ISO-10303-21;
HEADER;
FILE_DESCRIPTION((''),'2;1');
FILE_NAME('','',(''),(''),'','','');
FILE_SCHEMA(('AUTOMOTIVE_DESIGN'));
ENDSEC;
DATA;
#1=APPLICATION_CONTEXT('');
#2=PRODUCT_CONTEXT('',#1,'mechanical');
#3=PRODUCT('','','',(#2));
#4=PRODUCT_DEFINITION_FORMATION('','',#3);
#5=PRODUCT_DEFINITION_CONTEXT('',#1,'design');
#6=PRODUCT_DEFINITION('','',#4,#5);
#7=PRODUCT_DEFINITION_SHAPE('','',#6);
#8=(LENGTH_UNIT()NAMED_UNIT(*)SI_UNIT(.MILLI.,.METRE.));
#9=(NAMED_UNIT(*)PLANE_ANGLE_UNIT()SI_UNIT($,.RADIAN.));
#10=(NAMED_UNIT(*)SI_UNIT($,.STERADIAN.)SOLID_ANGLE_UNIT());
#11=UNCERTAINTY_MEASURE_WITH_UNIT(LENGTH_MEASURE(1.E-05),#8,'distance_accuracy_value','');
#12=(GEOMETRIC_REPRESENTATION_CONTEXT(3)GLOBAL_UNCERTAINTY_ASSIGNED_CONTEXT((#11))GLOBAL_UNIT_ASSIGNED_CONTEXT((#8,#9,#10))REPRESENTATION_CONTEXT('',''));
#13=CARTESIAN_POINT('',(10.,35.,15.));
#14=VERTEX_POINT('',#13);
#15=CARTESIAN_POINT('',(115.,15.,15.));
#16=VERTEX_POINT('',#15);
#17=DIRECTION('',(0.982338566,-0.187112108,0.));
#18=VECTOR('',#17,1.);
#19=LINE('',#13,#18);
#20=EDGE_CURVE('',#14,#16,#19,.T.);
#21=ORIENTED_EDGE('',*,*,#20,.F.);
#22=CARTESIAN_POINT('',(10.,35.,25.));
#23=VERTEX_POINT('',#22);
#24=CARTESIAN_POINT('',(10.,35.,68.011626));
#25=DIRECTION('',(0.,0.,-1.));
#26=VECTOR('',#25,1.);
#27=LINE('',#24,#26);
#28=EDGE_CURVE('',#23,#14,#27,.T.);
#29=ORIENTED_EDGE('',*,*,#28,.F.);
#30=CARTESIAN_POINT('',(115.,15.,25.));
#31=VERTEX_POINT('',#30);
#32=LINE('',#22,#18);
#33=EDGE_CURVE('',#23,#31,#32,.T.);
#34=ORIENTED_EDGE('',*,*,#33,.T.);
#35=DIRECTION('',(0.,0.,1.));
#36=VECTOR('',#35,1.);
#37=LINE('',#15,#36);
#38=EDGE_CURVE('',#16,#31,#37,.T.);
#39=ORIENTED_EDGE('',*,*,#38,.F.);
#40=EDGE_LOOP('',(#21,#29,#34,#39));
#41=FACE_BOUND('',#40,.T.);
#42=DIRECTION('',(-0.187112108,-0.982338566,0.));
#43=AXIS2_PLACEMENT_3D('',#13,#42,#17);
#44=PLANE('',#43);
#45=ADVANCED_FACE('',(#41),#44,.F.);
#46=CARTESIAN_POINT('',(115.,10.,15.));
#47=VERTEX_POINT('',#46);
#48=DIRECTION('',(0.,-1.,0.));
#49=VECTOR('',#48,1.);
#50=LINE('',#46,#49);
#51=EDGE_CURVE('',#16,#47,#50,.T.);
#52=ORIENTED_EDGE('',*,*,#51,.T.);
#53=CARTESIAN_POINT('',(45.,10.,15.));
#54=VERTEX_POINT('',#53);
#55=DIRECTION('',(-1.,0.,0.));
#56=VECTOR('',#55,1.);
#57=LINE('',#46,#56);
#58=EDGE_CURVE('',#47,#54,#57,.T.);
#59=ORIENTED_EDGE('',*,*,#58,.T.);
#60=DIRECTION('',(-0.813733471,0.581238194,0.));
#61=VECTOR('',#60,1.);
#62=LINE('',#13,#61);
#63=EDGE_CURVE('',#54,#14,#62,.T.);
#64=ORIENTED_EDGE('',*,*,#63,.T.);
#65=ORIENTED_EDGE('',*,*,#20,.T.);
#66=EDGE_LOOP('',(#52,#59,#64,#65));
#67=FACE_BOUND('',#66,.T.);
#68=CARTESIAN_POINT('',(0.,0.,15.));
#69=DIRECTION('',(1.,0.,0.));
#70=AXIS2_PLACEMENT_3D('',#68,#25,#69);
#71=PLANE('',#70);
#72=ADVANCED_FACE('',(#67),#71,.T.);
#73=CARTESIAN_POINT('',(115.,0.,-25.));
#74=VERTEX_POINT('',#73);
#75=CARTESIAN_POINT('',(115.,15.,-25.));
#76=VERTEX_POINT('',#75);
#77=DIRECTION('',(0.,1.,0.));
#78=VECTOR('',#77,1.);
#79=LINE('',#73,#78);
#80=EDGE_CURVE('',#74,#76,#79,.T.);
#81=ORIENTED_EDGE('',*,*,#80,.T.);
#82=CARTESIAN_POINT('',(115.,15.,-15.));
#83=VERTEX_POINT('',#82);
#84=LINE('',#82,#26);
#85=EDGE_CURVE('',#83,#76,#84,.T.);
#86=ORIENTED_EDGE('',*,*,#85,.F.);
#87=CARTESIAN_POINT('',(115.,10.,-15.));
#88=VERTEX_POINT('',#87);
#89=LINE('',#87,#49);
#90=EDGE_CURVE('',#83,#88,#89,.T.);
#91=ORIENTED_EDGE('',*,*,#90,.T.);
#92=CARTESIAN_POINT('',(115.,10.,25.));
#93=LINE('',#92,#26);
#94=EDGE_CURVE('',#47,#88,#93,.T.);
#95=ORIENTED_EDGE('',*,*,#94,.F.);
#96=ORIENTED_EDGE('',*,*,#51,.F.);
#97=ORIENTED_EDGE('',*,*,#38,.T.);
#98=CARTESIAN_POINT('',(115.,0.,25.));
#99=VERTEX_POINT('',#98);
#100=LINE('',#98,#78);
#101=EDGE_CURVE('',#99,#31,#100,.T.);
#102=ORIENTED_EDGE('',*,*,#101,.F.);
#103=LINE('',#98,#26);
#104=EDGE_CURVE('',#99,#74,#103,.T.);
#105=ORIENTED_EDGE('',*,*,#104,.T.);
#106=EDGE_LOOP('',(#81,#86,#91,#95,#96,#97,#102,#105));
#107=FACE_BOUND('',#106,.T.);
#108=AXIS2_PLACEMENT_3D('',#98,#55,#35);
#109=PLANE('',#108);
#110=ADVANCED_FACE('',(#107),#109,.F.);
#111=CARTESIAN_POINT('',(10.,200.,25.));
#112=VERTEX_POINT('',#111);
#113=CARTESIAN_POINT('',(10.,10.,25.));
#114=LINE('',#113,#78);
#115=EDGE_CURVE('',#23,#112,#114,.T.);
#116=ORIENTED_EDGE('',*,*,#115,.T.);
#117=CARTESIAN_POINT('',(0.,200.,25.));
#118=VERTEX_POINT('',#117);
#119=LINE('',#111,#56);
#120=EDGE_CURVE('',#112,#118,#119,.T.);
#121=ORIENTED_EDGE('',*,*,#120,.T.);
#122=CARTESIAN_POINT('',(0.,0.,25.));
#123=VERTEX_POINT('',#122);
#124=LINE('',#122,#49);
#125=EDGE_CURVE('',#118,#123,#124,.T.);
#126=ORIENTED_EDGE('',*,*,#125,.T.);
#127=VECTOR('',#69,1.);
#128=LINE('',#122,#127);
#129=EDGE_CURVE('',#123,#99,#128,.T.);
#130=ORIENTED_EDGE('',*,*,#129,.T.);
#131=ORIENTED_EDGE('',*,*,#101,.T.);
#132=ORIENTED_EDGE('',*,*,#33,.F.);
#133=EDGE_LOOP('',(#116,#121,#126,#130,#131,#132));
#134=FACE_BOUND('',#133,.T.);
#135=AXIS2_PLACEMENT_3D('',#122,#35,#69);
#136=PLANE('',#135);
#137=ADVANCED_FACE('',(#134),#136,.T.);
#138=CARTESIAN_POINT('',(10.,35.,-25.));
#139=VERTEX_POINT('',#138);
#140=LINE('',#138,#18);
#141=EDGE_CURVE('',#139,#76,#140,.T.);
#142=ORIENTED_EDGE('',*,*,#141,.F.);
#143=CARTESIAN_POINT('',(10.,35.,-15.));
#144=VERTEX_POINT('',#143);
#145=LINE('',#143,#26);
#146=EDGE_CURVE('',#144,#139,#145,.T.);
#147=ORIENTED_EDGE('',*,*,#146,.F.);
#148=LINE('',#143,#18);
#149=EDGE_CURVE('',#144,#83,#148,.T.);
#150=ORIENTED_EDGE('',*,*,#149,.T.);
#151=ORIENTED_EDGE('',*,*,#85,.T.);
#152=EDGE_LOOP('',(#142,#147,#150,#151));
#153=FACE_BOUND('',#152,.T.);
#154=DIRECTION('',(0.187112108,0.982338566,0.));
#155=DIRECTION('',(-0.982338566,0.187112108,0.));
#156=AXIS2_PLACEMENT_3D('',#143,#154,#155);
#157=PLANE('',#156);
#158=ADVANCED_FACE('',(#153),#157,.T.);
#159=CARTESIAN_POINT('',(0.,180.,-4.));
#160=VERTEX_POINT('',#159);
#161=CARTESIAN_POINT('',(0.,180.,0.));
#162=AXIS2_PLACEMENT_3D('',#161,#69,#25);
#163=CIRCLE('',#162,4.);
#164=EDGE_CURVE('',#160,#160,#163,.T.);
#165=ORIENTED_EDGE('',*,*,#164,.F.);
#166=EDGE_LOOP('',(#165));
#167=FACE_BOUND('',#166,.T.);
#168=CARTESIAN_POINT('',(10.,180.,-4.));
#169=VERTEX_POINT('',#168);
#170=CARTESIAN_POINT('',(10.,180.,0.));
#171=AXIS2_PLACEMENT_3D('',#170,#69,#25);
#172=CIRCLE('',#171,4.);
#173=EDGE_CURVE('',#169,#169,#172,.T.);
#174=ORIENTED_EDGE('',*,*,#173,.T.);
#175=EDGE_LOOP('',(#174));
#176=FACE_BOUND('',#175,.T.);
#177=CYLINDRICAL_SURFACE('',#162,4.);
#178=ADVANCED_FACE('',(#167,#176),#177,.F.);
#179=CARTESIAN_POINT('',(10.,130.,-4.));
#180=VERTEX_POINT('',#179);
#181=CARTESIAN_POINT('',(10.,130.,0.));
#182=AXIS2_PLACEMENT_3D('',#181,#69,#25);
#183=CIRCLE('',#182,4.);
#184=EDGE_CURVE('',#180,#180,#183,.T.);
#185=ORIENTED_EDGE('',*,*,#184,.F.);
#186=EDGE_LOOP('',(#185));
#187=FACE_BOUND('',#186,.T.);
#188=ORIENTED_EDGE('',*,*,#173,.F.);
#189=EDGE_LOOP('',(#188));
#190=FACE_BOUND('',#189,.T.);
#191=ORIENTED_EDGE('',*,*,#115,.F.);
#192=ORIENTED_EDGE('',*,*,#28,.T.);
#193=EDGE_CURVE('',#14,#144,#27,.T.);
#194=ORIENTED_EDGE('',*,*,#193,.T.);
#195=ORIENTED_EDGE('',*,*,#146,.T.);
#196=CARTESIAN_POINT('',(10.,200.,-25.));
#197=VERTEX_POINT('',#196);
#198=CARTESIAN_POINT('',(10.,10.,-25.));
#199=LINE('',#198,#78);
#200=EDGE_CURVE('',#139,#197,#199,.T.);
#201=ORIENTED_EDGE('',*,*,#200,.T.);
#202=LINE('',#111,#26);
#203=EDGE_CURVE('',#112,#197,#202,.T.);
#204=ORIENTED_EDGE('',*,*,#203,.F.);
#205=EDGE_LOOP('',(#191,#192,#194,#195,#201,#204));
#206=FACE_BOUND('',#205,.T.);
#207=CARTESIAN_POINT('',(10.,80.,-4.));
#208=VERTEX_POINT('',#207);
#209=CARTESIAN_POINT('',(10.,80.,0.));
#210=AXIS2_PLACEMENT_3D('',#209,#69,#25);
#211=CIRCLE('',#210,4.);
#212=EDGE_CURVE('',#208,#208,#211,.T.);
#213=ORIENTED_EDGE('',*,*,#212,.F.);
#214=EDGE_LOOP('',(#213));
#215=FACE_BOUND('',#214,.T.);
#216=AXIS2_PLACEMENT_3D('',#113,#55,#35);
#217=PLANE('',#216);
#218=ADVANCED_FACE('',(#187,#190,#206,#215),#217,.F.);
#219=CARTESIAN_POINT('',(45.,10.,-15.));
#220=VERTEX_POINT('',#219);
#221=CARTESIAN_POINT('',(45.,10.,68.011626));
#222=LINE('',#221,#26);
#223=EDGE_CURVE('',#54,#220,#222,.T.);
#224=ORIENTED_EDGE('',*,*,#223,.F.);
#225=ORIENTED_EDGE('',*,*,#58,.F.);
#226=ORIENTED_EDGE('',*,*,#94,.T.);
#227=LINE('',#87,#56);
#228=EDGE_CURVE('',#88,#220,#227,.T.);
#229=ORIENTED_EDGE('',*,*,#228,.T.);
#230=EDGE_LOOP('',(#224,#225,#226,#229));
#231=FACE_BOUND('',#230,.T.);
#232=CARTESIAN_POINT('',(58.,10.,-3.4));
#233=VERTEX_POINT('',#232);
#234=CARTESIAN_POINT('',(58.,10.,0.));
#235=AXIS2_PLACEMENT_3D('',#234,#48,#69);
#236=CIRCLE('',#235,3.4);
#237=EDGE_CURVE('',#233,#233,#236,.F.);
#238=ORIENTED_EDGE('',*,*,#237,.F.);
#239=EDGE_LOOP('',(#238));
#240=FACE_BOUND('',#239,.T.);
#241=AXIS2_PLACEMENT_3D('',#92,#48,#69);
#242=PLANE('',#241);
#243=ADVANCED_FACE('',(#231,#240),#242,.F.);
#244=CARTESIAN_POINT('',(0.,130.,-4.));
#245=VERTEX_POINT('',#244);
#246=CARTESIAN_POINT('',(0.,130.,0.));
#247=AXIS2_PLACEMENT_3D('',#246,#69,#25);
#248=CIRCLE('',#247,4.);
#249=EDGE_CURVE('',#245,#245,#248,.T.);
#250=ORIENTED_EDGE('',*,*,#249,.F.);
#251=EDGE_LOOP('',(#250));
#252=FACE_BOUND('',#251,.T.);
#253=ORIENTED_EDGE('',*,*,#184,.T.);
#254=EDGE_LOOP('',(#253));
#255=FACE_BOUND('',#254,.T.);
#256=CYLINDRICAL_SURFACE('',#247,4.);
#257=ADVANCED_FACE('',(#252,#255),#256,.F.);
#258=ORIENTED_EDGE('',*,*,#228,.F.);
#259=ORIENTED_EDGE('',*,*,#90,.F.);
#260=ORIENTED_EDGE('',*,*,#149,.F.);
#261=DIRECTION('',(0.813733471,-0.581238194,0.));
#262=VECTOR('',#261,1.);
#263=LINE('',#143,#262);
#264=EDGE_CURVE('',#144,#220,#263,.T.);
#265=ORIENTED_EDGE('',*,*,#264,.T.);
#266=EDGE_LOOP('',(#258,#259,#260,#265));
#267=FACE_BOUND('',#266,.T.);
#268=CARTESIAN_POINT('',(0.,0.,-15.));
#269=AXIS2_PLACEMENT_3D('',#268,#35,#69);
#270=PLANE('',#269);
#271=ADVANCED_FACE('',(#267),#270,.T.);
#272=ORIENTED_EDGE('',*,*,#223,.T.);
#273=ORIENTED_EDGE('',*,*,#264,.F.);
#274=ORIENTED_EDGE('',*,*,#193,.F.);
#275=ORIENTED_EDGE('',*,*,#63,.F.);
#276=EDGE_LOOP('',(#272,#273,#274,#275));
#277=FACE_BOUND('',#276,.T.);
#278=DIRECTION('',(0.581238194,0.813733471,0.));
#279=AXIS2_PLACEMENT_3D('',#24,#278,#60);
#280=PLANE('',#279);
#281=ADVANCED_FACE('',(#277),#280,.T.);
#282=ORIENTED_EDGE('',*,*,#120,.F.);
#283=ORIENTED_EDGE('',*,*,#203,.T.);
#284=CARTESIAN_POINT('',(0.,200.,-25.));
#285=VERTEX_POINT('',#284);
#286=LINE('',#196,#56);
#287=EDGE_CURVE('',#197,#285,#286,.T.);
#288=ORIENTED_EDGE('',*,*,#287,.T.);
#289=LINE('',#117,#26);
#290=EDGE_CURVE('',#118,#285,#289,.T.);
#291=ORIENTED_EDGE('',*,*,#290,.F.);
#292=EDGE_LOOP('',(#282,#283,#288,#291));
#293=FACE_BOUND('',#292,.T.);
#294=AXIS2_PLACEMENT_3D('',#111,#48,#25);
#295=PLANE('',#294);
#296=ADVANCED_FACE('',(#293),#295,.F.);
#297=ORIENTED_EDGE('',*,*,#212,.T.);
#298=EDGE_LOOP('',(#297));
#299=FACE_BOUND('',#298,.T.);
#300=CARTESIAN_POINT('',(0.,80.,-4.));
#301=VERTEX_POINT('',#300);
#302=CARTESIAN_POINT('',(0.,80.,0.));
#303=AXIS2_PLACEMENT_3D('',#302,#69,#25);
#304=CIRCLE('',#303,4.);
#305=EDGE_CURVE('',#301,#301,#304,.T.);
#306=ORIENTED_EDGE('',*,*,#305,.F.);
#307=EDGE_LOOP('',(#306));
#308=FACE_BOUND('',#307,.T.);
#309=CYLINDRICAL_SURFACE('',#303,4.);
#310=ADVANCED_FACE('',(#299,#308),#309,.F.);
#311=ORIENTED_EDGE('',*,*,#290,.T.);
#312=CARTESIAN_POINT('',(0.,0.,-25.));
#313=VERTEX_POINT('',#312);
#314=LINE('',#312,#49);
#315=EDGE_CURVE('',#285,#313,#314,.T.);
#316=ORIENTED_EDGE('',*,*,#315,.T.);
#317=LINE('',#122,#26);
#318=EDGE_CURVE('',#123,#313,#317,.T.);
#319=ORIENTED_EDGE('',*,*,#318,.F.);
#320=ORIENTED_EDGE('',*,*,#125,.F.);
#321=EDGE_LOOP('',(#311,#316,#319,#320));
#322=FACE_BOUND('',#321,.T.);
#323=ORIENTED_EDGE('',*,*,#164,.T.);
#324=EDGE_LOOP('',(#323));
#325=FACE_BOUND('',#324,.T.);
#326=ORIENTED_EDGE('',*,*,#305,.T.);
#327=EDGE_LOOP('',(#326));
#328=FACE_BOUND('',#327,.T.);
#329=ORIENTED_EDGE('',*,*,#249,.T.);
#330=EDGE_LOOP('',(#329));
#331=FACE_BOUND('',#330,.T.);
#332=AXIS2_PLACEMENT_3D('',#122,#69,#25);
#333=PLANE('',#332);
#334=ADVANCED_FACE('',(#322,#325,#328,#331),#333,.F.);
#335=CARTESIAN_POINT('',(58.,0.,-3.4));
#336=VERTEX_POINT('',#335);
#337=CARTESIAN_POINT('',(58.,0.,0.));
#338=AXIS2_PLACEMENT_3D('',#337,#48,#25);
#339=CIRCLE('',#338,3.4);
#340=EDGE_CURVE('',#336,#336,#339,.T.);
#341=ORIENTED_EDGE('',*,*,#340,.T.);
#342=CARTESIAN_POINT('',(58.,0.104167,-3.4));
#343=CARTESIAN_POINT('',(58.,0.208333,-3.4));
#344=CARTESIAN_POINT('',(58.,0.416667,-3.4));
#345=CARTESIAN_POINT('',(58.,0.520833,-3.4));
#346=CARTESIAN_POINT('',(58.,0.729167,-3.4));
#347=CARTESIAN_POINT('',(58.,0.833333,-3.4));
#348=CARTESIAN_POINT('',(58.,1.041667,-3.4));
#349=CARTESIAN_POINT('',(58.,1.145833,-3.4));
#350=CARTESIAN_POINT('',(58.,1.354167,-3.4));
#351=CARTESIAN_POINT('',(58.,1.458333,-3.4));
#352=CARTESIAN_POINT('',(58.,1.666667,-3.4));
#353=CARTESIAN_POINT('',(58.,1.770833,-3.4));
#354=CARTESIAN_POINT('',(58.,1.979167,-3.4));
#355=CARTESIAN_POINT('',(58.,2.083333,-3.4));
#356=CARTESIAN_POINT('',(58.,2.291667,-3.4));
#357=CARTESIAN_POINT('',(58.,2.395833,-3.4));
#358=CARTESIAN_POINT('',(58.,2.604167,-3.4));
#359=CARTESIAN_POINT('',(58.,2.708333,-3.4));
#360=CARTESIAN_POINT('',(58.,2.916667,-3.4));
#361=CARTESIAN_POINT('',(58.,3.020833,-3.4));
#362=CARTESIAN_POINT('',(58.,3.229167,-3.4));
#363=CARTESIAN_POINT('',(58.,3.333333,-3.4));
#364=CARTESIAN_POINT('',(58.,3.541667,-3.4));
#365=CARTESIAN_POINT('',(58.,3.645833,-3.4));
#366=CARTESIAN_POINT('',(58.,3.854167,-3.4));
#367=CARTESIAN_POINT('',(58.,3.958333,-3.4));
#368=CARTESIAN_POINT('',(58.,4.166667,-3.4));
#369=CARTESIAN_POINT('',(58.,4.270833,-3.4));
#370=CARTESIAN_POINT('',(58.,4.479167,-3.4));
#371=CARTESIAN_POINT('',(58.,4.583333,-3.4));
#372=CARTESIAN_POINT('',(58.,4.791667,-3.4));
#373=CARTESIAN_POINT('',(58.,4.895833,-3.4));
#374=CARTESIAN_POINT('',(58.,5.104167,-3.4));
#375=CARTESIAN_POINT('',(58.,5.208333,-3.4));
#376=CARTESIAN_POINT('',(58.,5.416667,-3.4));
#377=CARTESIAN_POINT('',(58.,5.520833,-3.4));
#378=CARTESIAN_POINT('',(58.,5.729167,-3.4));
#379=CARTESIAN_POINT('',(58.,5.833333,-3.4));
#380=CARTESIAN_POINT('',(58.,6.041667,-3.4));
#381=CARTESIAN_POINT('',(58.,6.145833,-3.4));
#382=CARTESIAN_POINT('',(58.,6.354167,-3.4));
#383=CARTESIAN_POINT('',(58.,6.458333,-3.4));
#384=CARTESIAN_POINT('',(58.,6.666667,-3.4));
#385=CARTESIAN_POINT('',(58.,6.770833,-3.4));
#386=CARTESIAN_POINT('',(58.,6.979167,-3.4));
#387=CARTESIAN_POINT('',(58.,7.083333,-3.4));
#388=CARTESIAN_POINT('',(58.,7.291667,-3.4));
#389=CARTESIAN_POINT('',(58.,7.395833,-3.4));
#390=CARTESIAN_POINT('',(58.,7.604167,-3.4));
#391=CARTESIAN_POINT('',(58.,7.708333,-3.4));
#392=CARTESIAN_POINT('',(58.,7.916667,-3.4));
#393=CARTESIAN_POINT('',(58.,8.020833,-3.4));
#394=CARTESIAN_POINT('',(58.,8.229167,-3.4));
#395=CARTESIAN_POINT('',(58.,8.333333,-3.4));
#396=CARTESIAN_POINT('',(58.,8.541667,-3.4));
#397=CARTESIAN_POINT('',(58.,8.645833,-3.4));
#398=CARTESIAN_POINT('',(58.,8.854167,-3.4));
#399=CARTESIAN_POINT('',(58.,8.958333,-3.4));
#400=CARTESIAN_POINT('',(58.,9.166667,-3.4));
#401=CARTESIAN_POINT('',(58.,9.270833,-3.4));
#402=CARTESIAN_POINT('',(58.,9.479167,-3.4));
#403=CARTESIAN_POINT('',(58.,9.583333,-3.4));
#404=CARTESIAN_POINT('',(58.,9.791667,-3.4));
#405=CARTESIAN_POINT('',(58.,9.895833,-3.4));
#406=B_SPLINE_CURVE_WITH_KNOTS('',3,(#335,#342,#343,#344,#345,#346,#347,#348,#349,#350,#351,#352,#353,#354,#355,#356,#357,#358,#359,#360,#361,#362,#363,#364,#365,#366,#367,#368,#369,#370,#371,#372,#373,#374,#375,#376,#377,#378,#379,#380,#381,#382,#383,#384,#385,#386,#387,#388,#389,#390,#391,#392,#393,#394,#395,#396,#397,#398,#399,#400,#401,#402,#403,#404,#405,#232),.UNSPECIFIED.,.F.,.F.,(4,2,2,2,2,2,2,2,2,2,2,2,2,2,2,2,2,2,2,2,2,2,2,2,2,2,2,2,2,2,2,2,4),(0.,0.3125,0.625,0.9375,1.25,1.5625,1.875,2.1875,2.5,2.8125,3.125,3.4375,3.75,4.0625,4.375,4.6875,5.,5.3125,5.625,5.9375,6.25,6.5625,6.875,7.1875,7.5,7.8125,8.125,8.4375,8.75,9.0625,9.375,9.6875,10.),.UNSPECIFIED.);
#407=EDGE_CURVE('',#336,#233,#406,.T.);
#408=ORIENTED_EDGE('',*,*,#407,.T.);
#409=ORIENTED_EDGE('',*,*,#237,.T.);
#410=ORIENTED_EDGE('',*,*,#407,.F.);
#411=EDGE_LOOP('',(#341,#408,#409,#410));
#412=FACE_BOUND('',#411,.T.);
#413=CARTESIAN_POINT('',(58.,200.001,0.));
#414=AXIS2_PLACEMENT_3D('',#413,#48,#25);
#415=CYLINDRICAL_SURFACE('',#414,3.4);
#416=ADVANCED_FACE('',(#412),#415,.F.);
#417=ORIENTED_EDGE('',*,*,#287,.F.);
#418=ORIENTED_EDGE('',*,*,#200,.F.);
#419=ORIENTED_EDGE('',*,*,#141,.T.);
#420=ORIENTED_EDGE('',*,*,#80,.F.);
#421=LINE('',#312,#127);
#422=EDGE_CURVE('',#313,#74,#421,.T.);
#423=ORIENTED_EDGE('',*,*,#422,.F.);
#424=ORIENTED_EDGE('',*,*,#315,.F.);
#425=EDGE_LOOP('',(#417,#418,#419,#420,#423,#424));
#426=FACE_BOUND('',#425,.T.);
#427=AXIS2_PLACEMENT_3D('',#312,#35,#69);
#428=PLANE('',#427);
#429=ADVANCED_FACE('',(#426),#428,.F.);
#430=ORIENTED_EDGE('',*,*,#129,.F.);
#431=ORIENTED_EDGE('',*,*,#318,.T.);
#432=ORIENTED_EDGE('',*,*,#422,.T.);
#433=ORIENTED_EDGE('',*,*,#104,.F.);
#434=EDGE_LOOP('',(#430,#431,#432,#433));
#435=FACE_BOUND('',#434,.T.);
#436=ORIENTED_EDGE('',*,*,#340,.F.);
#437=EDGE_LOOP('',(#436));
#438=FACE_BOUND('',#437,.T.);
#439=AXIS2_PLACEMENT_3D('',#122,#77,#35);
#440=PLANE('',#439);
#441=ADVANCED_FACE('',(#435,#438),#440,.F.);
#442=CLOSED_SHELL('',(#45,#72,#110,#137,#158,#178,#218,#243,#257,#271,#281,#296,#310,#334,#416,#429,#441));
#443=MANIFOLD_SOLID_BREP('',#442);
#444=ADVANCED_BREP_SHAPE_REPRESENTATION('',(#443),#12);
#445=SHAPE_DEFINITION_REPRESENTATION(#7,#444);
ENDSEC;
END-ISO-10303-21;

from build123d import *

# Parameters (mm, degrees)
BOSS_EXTRUDE1_DEPTH = 25
SKETCH3_R           = 4
CUT_EXTRUDE2_DEPTH  = 228.266363547
CUT_EXTRUDE3_REACH  = 234.056
SKETCH4_R           = 3.4
BOSS_EXTRUDE2_DEPTH = 50
BOSS_EXTRUDE3_DEPTH = 10


with BuildPart() as part:
    # Sketch1 → Boss-Extrude1 (new, symmetric)
    with BuildSketch(Plane.XY):
        Polygon((0, 0), (0, 200), (10, 200), (10, 10), (115, 10), (115, 0), align=None)
    extrude(amount=BOSS_EXTRUDE1_DEPTH, both=True)

    # Sketch3 → Cut-Extrude2 (cut, through all)
    with BuildSketch(Plane(origin=(10, 0, 0), x_dir=(0, 0, -1), z_dir=(1, 0, 0))):
        with Locations((0, 180)):
            Circle(SKETCH3_R)
        with Locations((0, 130)):
            Circle(SKETCH3_R)
        with Locations((0, 80)):
            Circle(SKETCH3_R)
    extrude(amount=-CUT_EXTRUDE2_DEPTH, mode=Mode.SUBTRACT)

    # Sketch4 → Cut-Extrude3 (cut, up to next)
    with BuildSketch(Plane.XZ, mode=Mode.PRIVATE) as cut_extrude3_sk1:
        with Locations(Location((58, 0, 0), (0, 0, 270))):
            Circle(SKETCH4_R)
    cut_extrude3_tool1 = extrude(cut_extrude3_sk1.sketch, amount=-CUT_EXTRUDE3_REACH, mode=Mode.PRIVATE) & part.part
    add(cut_extrude3_tool1.solids().sort_by_distance((58, 0, 0))[0], mode=Mode.SUBTRACT)

    # Sketch5 → Boss-Extrude2 (add)
    with BuildSketch(Plane(origin=(0, 0, -25), x_dir=(-1, 0, 0), z_dir=(0, 0, -1))):
        Polygon((-45, 10), (-10, 10), (-10, 35), align=None)
    extrude(amount=-BOSS_EXTRUDE2_DEPTH)

    # Sketch6 → Boss-Extrude3 (add)
    with BuildSketch(Plane(origin=(0, 0, -25), x_dir=(-1, 0, 0), z_dir=(0, 0, -1))):
        Polygon((-115, 10), (-10, 10), (-10, 35), (-115, 15), align=None)
    boss_extrude3 = extrude(amount=-BOSS_EXTRUDE3_DEPTH)

    # Mirror2: Boss-Extrude3 across plane
    add(boss_extrude3.mirror(Plane(origin=(0, 0, 0), x_dir=(1, 0, 0), z_dir=(0, 0, -1))))


solid = part.part
